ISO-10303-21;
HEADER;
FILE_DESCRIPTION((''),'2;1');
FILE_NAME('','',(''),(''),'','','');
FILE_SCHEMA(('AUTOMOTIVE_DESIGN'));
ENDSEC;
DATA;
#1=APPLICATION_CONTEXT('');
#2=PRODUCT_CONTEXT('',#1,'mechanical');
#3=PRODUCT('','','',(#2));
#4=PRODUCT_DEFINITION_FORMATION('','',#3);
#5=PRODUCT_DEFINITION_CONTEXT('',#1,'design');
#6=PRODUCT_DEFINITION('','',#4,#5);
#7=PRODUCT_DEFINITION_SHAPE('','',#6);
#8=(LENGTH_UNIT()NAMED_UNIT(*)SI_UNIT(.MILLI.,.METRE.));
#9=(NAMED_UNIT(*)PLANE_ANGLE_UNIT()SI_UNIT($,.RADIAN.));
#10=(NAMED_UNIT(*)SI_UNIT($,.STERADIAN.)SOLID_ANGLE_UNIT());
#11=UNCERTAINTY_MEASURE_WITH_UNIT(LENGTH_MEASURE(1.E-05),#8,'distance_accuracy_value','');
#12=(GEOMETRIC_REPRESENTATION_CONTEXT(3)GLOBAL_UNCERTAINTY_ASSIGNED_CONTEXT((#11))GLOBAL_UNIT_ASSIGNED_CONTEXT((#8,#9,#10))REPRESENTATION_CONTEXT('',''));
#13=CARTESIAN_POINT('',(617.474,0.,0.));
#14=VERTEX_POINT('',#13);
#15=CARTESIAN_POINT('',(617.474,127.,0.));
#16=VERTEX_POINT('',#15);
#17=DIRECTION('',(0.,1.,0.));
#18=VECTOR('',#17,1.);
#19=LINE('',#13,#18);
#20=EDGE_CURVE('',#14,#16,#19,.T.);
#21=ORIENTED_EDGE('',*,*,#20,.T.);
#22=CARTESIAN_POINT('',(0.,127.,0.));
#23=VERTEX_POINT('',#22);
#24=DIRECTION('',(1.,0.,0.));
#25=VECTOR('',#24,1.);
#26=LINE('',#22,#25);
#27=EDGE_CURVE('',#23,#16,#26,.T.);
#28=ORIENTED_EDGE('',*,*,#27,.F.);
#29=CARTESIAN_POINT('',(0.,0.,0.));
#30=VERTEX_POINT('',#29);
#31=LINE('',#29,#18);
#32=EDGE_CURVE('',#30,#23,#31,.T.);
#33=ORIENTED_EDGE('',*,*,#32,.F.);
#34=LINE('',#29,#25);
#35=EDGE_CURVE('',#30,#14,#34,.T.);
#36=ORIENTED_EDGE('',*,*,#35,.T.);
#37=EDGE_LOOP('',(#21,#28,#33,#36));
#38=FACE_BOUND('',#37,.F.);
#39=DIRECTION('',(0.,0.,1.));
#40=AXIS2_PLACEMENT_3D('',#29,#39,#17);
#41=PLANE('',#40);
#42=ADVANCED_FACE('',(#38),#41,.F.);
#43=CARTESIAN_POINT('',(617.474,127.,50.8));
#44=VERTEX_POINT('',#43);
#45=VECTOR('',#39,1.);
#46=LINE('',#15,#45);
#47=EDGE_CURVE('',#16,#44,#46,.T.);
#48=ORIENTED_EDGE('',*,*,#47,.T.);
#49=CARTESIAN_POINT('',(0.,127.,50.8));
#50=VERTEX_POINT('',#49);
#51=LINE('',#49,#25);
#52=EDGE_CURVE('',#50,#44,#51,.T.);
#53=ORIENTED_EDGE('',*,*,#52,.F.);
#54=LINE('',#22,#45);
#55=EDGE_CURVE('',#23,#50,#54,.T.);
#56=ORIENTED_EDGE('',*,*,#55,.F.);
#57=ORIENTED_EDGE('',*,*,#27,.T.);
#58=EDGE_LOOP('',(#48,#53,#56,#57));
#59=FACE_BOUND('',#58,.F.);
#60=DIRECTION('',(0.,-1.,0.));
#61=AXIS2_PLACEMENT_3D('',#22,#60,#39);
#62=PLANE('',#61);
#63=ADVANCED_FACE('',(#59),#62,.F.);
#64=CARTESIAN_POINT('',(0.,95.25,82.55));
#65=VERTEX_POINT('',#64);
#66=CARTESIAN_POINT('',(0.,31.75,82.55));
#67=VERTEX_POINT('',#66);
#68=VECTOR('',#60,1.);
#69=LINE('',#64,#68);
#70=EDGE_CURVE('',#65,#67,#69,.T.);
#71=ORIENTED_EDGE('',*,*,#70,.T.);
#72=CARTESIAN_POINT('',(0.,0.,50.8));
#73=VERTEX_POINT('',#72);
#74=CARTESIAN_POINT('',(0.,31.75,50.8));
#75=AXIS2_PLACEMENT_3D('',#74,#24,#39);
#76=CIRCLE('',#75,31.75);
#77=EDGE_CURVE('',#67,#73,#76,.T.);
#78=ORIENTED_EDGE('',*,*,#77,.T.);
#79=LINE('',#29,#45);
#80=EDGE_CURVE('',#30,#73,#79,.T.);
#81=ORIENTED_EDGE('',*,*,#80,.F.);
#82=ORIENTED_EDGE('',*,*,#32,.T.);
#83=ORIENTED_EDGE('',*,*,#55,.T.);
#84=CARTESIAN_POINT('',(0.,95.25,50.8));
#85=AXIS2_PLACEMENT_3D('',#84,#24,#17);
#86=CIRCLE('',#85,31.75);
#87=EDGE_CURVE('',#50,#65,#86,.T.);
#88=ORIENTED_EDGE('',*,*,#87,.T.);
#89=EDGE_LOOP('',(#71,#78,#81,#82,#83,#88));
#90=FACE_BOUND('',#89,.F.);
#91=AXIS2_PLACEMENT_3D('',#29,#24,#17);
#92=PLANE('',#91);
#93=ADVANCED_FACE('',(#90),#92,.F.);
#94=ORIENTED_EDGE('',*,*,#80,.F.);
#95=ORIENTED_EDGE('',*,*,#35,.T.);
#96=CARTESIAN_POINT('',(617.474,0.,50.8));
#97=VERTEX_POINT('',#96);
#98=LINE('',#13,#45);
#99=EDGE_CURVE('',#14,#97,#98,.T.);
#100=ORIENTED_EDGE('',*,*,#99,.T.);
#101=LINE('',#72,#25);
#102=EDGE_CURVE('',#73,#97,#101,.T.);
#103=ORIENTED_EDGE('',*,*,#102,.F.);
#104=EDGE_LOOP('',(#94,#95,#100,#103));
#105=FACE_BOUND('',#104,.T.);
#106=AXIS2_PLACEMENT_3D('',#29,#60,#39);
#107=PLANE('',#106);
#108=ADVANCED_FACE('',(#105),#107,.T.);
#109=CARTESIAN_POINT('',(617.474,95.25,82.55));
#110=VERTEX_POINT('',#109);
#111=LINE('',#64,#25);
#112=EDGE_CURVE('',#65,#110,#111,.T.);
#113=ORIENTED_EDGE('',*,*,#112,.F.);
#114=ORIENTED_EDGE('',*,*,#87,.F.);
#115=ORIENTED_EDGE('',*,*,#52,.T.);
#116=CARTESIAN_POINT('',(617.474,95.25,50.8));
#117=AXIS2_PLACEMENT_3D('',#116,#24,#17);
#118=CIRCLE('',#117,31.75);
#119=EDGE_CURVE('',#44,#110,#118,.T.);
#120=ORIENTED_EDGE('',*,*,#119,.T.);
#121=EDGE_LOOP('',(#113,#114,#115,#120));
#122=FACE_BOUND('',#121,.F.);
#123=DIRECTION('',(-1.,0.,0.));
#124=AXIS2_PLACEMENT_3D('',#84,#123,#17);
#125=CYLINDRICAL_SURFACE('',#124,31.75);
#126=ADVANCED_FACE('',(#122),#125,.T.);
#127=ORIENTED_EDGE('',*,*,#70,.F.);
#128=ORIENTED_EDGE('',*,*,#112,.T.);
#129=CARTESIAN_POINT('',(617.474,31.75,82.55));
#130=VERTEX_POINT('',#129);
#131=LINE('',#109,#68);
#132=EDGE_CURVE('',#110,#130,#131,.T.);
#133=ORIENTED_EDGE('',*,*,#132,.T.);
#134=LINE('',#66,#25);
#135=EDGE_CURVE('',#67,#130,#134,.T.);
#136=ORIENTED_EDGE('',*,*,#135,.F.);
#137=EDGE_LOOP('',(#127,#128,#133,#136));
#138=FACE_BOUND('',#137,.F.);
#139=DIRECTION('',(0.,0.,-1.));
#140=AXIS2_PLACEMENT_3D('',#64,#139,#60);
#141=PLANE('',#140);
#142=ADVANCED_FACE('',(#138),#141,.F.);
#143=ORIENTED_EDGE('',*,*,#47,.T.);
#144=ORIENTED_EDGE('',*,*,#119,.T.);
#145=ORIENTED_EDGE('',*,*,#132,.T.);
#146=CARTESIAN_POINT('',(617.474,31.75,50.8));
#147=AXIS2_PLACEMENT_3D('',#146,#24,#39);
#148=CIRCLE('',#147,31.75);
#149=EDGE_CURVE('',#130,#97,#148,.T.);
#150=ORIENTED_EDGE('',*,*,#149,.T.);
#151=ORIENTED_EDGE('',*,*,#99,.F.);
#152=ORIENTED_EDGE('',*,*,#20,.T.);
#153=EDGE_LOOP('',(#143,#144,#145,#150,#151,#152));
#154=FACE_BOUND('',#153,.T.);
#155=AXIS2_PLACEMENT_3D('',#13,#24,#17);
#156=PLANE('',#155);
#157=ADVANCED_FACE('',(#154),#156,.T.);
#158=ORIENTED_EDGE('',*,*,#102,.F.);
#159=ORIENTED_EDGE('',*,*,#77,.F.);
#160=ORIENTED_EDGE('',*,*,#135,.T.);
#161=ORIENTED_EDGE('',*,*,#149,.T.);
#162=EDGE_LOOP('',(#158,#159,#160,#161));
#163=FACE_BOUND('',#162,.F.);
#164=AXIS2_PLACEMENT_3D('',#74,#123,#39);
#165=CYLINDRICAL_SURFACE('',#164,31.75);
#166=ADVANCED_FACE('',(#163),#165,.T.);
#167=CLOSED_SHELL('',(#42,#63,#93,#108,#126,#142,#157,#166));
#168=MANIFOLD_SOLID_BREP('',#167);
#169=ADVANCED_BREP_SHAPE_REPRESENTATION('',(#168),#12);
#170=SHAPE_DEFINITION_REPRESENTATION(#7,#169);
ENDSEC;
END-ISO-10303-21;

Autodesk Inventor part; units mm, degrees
ref_plane "YZ Plane" through (0, 0, 0) normal (1, 0, 0) x (0, 1, 0)
ref_plane "XZ Plane" through (0, 0, 0) normal (0, 1, 0) x (-1, 0, 0)
ref_plane "XY Plane" through (0, 0, 0) normal (0, 0, 1) x (1, 0, 0)
sketch "Sketch1" plane through (0, 0, 0) normal (1, 0, 0) x (0, 1, 0)
  line L0 (0, 0) -> (127, 0)
  line L1 (127, 0) -> (127, 50.8)
  line L2 (0, 0) -> (0, 50.8)
  arc A0 (95.25, 82.55) -> (127, 50.8) centre (95.25, 50.8) ccw construction
  arc A1 (31.75, 82.55) -> (0, 50.8) centre (31.75, 50.8) ccw
  line L3 (95.25, 82.55) -> (31.75, 82.55)
  arc A2 (127, 50.8) -> (95.25, 82.55) centre (95.25, 50.8) ccw
  line L4 (127, 19.05) -> (0, 19.05) construction
  dimension "d0" = 127
  dimension "d1" = 63.5
  dimension "d2" = 19.05
extrude "Extrusion1" add sketch "Sketch1" along normal blind 617.474
properties part number "Side Bumper"
